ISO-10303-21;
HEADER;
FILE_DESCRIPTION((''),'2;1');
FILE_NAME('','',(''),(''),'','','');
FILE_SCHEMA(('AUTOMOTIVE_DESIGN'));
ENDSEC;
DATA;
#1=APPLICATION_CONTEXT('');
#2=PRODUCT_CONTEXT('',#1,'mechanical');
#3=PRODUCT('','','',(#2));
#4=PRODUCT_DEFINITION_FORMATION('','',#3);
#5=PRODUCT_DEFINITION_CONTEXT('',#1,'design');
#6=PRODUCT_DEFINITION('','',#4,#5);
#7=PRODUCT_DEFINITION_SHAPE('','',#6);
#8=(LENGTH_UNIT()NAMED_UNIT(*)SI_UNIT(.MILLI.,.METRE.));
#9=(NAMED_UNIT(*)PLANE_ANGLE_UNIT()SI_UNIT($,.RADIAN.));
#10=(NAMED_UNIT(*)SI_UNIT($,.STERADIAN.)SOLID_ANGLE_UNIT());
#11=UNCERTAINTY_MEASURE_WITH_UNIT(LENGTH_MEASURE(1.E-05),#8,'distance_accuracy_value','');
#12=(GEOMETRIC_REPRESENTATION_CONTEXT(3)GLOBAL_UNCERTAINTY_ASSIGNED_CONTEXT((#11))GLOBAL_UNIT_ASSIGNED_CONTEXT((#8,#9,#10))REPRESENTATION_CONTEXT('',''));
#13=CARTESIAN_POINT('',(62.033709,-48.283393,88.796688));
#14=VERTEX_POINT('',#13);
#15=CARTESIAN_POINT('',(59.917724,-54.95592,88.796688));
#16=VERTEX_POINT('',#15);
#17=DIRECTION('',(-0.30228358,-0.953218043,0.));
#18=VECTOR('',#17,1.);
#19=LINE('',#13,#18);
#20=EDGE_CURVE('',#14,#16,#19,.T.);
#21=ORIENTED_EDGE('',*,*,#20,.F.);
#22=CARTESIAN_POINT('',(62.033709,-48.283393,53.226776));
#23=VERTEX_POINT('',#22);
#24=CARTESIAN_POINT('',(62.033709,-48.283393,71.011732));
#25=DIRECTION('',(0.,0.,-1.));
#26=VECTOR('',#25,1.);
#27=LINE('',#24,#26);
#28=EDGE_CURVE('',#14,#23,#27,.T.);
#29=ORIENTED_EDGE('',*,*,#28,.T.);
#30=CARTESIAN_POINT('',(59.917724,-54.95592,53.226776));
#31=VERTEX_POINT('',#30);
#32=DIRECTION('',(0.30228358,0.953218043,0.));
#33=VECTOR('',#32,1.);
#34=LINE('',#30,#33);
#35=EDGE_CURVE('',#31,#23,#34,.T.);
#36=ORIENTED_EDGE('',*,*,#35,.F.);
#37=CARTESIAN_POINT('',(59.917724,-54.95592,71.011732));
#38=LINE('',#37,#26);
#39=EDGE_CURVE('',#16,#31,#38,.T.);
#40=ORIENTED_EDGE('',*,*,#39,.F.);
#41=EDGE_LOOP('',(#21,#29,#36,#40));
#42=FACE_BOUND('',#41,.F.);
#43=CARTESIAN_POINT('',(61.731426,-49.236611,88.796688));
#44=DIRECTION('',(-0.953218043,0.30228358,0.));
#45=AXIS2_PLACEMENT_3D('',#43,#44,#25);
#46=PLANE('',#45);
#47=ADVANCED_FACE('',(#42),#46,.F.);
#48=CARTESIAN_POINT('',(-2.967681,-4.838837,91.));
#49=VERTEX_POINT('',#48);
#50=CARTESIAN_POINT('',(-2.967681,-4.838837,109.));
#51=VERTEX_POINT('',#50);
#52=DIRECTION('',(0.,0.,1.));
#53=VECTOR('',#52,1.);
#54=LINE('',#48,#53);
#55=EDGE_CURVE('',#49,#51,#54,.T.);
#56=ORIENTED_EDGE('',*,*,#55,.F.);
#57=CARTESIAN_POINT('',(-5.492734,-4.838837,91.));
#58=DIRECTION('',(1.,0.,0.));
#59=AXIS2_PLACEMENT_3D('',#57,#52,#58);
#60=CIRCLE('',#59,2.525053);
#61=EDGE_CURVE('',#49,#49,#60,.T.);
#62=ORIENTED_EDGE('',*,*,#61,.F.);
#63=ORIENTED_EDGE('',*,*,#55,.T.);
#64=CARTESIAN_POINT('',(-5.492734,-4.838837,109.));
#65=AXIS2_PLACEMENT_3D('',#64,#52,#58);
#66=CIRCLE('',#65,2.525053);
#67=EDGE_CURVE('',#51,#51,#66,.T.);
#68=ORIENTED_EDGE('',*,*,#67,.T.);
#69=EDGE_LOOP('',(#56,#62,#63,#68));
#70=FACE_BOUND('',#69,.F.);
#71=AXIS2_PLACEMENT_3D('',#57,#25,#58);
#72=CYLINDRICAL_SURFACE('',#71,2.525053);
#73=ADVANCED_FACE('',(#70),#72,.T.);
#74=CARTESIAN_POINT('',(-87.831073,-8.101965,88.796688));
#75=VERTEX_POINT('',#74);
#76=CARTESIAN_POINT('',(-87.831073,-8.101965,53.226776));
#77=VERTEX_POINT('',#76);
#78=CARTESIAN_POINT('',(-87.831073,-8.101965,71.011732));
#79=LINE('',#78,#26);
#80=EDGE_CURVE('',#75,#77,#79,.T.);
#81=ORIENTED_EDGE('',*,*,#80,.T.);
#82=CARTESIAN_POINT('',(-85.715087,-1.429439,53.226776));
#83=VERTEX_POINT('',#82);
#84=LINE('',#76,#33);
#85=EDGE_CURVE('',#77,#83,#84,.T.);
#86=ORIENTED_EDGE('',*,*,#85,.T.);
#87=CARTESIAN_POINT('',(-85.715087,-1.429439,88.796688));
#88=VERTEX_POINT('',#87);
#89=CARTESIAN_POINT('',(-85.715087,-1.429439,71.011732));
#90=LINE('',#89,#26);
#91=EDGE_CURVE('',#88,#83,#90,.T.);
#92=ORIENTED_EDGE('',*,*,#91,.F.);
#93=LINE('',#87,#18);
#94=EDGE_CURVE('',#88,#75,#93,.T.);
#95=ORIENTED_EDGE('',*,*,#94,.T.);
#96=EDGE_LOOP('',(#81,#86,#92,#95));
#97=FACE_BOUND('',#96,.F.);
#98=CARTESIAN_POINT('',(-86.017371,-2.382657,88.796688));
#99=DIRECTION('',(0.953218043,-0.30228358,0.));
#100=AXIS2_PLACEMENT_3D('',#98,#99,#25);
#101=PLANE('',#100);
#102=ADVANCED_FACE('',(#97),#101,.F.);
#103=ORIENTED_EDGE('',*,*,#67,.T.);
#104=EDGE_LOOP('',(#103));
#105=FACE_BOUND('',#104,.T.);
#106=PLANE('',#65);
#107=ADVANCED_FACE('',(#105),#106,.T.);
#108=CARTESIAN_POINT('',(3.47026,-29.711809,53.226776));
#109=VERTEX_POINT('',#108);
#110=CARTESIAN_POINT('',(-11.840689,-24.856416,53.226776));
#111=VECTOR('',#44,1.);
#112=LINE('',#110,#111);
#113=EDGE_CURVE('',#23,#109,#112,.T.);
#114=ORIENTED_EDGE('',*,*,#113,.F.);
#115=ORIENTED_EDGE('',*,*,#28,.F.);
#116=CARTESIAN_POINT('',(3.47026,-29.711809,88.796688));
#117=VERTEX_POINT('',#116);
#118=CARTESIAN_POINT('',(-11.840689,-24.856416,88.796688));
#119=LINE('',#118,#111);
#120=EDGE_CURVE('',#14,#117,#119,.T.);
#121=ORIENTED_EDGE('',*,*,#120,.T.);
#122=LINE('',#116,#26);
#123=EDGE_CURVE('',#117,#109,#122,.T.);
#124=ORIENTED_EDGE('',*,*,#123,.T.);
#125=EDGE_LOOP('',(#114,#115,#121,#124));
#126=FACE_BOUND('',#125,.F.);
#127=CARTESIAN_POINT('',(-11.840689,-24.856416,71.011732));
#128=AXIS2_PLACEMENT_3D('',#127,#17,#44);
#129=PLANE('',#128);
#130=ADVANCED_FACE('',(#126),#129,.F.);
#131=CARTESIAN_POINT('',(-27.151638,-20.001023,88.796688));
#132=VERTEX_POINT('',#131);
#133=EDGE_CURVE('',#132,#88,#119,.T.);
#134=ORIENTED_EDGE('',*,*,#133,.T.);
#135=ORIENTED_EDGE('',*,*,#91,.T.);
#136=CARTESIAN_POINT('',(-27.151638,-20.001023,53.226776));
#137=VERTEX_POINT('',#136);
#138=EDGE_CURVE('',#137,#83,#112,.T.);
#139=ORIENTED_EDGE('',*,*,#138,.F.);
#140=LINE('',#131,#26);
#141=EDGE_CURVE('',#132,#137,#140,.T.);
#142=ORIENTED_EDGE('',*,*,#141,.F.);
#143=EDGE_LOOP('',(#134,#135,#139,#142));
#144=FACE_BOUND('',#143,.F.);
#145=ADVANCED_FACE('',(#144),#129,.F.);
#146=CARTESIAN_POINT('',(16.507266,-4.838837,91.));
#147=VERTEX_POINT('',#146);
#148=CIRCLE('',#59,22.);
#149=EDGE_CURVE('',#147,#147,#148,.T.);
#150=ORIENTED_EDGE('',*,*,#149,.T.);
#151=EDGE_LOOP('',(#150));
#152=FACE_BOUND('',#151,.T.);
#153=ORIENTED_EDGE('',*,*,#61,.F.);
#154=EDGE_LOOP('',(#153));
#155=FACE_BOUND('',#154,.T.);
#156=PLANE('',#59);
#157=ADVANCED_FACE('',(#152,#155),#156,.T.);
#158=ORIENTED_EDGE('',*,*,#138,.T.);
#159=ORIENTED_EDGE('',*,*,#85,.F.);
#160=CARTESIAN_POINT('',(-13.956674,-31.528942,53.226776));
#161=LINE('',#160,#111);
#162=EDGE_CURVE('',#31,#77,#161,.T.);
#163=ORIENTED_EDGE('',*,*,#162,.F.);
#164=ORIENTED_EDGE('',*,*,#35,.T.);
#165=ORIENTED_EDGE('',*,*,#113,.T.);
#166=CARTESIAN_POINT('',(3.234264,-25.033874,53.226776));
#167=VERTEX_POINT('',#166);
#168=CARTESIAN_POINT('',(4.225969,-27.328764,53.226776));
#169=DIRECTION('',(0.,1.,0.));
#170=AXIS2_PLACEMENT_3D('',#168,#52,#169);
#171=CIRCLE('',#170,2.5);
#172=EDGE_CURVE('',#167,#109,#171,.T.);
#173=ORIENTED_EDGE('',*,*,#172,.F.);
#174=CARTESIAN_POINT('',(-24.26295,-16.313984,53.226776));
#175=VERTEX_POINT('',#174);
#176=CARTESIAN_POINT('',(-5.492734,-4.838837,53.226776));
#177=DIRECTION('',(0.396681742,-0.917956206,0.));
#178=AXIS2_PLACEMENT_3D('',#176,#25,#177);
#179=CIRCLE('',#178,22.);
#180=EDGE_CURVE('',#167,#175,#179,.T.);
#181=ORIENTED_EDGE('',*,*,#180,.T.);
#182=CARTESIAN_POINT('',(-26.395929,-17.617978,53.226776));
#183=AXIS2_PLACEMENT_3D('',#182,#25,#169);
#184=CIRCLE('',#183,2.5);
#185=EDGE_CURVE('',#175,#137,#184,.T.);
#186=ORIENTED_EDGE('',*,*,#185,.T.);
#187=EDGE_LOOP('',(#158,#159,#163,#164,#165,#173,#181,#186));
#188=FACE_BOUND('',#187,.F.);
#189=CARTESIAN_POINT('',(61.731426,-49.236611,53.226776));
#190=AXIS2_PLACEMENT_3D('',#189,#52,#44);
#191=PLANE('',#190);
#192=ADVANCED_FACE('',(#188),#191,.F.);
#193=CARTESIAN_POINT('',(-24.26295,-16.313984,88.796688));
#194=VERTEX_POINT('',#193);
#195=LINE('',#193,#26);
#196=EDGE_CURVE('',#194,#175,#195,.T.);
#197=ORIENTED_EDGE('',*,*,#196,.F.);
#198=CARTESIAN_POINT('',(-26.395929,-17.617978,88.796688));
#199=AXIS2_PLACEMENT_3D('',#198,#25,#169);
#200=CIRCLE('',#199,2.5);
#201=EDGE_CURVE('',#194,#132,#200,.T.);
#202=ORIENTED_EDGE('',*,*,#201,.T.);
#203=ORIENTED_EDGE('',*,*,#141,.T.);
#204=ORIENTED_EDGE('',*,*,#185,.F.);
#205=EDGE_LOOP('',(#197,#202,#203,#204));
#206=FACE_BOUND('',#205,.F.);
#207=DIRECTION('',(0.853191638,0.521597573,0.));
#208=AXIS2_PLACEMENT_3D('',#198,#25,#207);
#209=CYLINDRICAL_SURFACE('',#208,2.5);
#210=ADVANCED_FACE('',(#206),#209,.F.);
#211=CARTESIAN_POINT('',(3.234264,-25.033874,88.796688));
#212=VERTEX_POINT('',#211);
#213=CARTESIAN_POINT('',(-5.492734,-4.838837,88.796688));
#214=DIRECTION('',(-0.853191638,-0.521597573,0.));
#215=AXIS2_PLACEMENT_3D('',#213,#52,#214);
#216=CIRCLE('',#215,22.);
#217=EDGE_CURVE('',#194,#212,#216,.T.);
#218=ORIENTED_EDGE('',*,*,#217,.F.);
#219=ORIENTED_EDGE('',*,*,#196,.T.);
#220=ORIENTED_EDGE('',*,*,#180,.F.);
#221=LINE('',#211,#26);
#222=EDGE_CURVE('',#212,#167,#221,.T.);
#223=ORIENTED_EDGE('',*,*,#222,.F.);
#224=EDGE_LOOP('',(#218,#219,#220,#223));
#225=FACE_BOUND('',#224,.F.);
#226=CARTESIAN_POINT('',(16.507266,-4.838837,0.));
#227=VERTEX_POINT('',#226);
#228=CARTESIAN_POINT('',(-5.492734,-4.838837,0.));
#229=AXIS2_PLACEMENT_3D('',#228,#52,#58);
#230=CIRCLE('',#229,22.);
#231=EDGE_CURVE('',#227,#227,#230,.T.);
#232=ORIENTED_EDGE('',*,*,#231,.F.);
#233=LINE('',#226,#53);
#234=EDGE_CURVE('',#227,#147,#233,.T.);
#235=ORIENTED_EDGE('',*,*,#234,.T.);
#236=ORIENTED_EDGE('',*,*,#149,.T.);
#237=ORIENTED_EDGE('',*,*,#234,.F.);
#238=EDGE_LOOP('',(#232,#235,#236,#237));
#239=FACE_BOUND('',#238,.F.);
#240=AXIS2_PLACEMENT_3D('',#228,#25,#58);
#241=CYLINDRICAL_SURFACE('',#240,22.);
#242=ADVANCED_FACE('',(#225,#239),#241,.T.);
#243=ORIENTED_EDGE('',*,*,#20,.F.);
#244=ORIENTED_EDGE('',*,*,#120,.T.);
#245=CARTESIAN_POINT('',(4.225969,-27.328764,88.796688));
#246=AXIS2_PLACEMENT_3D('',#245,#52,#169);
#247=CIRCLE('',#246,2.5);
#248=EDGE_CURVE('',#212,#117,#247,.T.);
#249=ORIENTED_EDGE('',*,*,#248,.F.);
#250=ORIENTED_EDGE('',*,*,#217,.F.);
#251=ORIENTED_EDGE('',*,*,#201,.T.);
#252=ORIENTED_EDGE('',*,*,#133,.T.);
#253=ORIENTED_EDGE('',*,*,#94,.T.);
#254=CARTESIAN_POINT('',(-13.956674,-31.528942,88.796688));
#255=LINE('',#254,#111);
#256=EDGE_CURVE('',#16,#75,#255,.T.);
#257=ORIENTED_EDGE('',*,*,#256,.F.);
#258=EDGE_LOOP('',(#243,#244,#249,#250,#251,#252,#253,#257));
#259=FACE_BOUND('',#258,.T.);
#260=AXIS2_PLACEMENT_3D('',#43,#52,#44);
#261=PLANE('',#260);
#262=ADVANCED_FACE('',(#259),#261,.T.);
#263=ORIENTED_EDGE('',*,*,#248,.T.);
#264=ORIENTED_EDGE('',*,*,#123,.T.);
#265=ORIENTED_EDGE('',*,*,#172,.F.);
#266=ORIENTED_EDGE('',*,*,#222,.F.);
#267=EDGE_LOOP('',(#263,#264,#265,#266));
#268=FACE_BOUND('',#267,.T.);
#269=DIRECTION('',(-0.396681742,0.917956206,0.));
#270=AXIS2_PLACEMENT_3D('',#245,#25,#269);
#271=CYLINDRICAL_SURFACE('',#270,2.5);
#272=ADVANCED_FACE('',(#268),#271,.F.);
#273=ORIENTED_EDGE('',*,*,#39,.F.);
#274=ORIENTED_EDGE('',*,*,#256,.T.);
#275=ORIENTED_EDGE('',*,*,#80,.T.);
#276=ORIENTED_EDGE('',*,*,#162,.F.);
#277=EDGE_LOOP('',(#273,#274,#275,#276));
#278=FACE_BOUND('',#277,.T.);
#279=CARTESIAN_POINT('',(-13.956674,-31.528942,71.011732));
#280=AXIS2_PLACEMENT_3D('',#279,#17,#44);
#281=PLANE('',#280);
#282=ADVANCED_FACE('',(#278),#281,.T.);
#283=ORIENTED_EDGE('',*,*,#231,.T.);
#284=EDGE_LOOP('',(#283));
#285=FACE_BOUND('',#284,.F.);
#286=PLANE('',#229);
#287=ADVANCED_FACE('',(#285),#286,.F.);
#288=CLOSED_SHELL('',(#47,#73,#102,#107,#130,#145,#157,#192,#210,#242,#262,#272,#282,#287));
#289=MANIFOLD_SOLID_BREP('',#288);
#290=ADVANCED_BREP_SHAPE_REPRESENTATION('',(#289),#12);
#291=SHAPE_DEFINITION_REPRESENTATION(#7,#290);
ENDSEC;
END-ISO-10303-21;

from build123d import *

# Parameters (mm, degrees)
SKETCH1_R                = 22
BOSS_EXTRUDE1_DEPTH      = 91
SKETCH2_R                = 2.525052574
BOSS_EXTRUDE2_DEPTH      = 18
SKETCH4_W                = 155
SKETCH4_H                = 35.569912337
BOSS_EXTRUDE3_DEPTH      = 6
BOSS_EXTRUDE3_DEPTH_BACK = 1
FILLET1_R                = 2.5
FILLET2_R                = 2.5


with BuildPart() as part:
    # Sketch1 → Boss-Extrude1 (new body)
    with BuildSketch(Plane.XY):
        with Locations((-5.492733953, -4.838837054)):
            Circle(SKETCH1_R)
    extrude(amount=BOSS_EXTRUDE1_DEPTH)

    # Sketch2 → Boss-Extrude2 (add)
    with BuildSketch(Plane.XY.offset(91)):
        with Locations((-5.492733953, -4.838837054)):
            Circle(SKETCH2_R)
    extrude(amount=BOSS_EXTRUDE2_DEPTH)

    # Sketch4 → Boss-Extrude3 (add, two sides)
    with BuildSketch(Plane(origin=(-12.142972716, -25.809633996, 91), x_dir=(-0.953218043, 0.30228358, 0), z_dir=(-0.30228358, -0.953218043, 0))) as boss_extrude3_sk:
        with Locations((0, 19.988267876)):
            Rectangle(SKETCH4_W, SKETCH4_H)
    extrude(amount=BOSS_EXTRUDE3_DEPTH)
    extrude(boss_extrude3_sk.sketch, amount=-BOSS_EXTRUDE3_DEPTH_BACK)

    # Fillet1
    fillet1_edges = [part.edges().sort_by_distance(p)[0] for p in [
        (-5.59002042, -26.838621947, 71.011732124),
    ]]
    fillet(fillet1_edges, radius=FILLET1_R)

    # Fillet2
    fillet2_edges = [part.edges().sort_by_distance(p)[0] for p in [
        (-18.091357852, -22.87420996, 71.011732124),
    ]]
    fillet(fillet2_edges, radius=FILLET2_R)


solid = part.part
